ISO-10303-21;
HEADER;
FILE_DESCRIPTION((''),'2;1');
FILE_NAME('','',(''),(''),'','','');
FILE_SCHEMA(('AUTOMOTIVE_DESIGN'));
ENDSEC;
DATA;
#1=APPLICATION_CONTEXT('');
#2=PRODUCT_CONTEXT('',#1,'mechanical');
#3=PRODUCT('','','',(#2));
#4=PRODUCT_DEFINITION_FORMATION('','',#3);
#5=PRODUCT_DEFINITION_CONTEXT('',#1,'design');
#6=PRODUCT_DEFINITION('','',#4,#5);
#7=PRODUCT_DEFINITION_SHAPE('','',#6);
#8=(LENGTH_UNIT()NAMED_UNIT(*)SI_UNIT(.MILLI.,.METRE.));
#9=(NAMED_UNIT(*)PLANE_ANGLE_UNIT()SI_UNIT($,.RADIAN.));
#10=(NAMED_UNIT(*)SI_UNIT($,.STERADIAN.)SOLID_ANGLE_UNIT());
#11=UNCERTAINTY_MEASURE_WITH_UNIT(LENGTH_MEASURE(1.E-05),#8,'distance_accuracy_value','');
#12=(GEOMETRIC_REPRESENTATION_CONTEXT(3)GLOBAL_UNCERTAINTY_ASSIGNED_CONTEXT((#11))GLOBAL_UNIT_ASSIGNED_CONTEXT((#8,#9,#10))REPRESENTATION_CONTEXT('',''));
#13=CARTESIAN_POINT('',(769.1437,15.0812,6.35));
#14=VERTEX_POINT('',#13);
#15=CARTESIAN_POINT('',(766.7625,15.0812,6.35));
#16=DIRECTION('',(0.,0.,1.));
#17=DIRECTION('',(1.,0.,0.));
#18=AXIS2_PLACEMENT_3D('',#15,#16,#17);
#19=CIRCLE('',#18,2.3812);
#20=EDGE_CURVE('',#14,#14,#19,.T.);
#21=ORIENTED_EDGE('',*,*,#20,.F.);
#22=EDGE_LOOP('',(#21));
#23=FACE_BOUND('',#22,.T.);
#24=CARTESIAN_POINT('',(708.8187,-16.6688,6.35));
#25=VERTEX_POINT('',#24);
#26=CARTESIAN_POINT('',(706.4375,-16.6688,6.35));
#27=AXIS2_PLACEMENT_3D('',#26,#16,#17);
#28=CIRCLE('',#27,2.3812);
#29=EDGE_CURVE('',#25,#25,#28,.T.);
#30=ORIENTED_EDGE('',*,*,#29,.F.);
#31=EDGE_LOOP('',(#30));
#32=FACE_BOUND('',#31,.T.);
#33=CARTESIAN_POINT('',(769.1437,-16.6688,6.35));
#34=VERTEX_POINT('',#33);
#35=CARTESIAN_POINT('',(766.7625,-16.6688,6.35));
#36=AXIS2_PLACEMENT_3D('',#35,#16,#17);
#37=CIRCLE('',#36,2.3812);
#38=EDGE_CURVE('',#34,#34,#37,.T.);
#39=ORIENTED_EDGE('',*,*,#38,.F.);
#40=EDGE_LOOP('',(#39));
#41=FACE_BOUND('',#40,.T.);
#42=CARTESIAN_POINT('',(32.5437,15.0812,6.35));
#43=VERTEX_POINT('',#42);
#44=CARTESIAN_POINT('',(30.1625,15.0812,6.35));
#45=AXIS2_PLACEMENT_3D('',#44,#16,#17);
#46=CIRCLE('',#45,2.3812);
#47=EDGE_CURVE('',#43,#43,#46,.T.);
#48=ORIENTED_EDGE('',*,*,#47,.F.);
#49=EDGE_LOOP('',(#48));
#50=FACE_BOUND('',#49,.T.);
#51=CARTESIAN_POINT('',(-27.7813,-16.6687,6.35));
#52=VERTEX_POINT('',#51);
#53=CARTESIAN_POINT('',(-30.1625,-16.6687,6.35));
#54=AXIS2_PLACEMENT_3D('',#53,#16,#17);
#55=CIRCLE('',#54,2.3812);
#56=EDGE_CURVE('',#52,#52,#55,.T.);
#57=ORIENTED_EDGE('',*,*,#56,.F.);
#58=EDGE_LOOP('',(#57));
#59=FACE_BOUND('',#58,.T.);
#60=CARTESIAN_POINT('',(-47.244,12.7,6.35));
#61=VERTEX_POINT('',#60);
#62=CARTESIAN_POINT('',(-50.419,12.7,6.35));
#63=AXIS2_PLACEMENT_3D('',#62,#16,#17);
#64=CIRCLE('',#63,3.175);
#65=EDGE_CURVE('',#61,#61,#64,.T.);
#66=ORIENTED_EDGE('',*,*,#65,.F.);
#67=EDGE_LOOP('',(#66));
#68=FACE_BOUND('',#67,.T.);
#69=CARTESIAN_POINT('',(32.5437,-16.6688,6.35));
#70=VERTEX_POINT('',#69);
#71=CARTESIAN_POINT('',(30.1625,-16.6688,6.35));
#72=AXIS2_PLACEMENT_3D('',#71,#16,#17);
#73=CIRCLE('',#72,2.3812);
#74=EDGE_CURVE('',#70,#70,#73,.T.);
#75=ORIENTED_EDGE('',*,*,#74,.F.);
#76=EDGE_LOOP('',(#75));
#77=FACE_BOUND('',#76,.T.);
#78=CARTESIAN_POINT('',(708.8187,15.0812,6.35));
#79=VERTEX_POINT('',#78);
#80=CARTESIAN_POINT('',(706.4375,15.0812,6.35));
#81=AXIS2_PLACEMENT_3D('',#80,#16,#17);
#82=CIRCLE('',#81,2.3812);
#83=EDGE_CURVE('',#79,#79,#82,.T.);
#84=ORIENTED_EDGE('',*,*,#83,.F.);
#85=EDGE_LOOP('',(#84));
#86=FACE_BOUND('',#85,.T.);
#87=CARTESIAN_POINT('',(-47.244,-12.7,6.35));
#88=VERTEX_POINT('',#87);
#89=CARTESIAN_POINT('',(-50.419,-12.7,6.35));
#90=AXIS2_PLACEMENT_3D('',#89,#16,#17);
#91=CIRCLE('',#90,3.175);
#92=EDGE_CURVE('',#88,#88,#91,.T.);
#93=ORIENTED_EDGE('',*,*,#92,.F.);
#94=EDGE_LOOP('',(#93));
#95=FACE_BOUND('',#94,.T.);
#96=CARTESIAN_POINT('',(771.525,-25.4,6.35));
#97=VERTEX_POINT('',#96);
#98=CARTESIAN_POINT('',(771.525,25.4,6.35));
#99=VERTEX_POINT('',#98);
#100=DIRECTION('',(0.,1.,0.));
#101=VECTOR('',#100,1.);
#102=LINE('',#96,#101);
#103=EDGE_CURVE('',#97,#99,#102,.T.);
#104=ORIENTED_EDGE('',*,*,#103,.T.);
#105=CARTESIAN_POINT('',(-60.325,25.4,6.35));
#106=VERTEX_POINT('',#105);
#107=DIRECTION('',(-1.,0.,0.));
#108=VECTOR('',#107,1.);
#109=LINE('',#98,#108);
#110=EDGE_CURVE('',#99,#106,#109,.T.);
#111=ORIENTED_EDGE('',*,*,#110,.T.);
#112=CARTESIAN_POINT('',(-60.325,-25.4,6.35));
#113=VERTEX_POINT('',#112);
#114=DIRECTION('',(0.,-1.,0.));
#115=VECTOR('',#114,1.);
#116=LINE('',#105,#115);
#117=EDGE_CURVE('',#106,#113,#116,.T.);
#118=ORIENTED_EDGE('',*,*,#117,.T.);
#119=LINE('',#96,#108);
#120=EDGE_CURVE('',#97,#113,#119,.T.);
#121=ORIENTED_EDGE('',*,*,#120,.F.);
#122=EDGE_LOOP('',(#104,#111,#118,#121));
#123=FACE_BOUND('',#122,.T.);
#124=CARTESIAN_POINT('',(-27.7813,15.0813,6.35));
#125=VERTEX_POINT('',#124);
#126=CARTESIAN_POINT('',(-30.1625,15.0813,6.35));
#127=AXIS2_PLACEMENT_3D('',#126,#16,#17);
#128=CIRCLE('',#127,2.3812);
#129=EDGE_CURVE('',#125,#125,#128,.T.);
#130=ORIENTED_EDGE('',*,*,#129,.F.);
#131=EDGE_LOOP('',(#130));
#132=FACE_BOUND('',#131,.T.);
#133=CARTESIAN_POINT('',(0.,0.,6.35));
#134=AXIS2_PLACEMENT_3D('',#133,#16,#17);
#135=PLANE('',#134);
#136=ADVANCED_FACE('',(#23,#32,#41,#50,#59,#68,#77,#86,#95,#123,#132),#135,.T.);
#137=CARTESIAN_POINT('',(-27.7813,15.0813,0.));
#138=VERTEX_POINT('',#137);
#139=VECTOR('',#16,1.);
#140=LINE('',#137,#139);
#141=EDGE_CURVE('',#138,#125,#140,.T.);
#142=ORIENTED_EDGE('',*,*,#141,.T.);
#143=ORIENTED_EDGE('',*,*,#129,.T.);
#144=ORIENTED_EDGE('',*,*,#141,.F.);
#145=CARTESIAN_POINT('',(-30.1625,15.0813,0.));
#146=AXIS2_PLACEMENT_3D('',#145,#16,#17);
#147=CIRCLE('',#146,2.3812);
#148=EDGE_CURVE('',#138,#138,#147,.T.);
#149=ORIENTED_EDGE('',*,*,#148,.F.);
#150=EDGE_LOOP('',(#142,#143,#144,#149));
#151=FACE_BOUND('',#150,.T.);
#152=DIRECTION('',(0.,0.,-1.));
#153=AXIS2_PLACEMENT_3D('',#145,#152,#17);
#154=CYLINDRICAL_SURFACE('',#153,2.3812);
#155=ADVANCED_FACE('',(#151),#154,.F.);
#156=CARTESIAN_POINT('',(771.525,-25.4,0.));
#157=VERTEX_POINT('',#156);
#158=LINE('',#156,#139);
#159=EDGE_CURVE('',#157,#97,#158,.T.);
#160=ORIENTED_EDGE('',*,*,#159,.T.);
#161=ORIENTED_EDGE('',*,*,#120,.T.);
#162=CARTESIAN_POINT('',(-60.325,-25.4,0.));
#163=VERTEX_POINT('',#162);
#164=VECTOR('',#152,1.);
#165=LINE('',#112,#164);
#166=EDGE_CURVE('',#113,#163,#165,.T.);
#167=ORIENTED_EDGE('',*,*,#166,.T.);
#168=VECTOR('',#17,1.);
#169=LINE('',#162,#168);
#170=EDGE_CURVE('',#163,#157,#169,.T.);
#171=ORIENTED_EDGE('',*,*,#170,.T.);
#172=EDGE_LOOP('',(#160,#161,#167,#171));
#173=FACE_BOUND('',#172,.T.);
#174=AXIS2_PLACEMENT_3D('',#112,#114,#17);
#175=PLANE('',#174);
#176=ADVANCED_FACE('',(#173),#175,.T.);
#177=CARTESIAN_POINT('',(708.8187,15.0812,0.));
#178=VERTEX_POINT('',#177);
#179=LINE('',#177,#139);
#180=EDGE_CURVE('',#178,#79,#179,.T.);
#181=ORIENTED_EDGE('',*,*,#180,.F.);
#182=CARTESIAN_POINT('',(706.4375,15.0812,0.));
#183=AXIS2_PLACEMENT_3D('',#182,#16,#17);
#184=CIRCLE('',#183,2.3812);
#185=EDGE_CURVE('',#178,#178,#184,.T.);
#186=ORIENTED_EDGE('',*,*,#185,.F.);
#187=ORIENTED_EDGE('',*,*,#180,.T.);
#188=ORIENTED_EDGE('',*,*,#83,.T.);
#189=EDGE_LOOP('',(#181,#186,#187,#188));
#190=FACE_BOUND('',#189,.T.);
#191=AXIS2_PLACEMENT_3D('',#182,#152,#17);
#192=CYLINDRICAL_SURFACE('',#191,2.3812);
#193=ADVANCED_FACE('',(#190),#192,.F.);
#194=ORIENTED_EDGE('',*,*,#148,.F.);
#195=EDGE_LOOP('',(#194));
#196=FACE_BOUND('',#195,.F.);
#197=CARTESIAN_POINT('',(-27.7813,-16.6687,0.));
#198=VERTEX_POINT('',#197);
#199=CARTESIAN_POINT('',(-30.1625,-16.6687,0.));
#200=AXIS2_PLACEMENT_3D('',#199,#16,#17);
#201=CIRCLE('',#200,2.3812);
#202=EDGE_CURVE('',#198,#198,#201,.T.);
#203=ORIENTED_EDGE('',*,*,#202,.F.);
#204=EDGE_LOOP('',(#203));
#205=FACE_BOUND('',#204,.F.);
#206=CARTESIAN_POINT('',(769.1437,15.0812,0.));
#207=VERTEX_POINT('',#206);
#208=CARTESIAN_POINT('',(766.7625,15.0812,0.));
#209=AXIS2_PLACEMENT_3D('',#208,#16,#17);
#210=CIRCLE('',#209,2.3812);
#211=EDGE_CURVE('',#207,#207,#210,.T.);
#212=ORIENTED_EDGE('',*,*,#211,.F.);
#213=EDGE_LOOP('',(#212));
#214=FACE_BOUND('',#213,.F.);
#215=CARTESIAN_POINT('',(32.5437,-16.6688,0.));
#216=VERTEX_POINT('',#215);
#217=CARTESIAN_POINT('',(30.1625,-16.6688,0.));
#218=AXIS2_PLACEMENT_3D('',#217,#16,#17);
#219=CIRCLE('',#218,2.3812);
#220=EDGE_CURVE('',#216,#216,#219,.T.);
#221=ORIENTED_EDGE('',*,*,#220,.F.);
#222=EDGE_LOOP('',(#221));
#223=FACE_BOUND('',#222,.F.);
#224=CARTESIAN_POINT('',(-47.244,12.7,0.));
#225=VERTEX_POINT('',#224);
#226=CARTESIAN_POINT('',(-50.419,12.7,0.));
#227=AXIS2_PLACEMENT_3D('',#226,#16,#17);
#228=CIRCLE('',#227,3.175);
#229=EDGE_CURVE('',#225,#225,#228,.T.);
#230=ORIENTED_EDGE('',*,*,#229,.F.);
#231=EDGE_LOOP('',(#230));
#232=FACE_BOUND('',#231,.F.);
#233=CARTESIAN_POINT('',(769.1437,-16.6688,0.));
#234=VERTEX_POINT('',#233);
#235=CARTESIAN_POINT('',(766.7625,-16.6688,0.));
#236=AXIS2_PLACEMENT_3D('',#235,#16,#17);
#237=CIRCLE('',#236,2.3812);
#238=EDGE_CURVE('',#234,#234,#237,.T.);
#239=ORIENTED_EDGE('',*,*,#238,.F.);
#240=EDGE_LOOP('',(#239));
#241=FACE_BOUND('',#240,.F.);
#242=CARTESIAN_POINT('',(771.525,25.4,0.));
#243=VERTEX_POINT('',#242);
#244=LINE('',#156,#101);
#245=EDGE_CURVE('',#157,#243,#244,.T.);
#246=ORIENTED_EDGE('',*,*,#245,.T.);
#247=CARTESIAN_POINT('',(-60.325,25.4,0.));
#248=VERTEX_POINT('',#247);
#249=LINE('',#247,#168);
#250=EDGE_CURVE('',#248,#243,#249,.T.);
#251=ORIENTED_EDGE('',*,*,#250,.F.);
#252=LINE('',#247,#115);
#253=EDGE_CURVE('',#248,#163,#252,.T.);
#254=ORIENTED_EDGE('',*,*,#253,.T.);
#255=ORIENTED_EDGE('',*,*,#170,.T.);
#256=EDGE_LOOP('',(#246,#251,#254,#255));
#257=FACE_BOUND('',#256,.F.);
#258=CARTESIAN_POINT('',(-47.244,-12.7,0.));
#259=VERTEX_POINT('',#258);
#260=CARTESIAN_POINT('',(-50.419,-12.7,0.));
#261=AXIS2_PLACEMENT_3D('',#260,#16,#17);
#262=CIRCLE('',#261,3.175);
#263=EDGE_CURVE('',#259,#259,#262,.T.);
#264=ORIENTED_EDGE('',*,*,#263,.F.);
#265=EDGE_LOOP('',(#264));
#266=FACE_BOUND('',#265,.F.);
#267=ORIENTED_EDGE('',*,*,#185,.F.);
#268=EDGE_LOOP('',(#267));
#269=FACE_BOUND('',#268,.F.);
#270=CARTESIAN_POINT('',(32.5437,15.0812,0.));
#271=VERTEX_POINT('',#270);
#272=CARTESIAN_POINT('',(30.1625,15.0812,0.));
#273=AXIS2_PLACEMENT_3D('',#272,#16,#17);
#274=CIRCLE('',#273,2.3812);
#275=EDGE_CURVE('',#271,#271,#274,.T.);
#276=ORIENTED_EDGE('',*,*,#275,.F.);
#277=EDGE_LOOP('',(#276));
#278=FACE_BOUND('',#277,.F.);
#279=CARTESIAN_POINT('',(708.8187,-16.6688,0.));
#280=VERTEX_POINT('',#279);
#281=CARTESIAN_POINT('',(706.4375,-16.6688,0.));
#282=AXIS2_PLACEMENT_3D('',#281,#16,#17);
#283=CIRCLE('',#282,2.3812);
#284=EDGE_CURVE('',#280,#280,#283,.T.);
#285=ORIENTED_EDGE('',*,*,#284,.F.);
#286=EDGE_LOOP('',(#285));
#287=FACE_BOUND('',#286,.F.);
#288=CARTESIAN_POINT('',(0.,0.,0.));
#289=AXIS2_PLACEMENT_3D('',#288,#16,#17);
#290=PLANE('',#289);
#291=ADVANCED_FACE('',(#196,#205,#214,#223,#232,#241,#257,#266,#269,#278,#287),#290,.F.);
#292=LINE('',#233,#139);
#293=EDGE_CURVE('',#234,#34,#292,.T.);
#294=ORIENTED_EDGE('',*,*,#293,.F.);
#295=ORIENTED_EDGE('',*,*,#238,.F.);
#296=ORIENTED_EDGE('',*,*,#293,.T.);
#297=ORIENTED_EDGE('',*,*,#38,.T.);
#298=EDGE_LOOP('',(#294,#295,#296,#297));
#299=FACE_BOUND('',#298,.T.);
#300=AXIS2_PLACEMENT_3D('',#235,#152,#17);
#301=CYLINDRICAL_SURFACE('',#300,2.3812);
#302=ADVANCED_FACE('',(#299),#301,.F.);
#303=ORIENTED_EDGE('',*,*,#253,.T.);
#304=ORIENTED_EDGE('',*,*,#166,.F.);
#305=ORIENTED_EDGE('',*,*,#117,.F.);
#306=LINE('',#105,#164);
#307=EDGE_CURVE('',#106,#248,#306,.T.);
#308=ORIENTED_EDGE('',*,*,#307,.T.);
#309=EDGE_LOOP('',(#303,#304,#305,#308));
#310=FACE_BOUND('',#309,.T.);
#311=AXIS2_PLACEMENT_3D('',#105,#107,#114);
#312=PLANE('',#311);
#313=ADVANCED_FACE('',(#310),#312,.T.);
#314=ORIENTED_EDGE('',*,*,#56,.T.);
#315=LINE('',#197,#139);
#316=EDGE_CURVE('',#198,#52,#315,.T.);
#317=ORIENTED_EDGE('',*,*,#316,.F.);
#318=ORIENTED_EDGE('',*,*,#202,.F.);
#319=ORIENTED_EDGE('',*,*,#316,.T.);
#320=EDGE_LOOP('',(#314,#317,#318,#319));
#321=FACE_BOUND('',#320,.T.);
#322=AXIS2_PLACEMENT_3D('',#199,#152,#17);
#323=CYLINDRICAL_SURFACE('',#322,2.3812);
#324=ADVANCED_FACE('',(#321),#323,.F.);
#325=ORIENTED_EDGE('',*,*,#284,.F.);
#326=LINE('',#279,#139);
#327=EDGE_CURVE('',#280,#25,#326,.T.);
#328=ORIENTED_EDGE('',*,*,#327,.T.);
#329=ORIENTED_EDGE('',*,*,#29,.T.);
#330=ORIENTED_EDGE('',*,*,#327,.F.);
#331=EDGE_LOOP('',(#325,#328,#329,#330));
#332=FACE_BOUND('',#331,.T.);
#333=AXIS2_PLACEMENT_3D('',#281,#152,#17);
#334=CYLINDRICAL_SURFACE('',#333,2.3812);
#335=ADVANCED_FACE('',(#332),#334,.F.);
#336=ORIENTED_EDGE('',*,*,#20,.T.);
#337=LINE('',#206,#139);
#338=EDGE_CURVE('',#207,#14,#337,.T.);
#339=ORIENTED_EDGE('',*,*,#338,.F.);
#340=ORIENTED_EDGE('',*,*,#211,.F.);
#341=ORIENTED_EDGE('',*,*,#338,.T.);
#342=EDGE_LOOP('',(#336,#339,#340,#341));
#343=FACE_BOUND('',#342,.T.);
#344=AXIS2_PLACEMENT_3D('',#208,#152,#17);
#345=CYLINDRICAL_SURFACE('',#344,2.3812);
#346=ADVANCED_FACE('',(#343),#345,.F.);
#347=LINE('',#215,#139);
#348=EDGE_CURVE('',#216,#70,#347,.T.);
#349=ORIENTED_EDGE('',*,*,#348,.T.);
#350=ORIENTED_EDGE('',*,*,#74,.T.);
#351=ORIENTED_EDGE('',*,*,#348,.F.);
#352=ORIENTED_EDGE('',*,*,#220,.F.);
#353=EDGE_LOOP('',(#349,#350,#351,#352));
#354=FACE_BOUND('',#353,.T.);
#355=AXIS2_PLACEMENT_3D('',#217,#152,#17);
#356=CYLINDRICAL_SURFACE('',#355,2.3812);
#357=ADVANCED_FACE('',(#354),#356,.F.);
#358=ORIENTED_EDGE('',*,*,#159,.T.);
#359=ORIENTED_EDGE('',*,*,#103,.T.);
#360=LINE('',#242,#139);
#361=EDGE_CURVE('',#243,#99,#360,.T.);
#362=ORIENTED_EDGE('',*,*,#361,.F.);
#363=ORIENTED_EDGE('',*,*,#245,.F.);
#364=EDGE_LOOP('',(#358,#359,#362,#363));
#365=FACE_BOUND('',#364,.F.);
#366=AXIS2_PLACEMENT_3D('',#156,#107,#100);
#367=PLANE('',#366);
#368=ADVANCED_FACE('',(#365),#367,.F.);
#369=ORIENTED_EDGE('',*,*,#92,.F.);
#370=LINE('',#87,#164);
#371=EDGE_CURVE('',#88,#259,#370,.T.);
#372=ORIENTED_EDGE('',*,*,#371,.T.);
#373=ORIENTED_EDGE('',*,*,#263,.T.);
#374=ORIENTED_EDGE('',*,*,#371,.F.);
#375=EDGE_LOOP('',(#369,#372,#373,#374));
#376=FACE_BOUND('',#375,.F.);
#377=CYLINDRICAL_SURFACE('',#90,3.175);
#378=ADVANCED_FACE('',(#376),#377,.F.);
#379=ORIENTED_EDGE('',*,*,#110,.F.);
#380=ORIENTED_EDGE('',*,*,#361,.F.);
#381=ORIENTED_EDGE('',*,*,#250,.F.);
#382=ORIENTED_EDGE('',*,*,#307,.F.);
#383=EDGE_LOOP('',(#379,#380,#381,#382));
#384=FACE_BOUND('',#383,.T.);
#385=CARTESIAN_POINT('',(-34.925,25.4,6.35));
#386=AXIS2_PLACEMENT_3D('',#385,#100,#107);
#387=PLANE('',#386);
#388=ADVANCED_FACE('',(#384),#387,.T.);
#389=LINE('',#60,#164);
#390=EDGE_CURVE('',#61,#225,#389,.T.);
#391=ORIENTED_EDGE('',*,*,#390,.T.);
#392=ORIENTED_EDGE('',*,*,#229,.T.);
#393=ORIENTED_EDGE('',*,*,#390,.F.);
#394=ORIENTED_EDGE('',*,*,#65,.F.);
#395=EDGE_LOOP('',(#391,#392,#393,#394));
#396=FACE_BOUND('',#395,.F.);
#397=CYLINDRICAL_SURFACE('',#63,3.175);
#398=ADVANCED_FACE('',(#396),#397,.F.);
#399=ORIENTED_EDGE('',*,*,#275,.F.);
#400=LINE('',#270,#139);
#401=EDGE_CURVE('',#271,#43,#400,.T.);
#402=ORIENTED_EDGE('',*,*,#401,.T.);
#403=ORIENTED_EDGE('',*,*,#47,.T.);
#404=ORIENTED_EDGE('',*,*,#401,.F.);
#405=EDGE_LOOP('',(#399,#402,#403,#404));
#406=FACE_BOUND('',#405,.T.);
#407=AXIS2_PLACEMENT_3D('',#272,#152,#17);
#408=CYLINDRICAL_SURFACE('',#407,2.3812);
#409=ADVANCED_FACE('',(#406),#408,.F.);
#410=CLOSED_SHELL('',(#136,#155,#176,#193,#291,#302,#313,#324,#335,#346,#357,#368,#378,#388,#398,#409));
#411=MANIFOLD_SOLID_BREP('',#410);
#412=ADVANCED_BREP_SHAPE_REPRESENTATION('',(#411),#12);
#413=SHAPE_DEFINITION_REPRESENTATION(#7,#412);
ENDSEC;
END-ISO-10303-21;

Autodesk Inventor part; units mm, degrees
ref_plane "YZ Plane" through (0, 0, 0) normal (1, 0, 0) x (0, 1, 0)
ref_plane "XZ Plane" through (0, 0, 0) normal (0, 1, 0) x (-1, 0, 0)
ref_plane "XY Plane" through (0, 0, 0) normal (0, 0, 1) x (1, 0, 0)
sketch "Sketch1" plane through (0, 0, 0) normal (0, 0, 1) x (1, 0, 0)
  line L0 (34.925, -25.4) -> (34.925, 25.4) projected
  line L1 (34.925, 25.4) -> (-34.925, 25.4) projected
  line L2 (-34.925, 25.4) -> (-34.925, -25.4) projected
  line L3 (-34.925, -25.4) -> (34.925, -25.4) projected
  circle A0 centre (-30.1625, -16.6687) radius 2.3812 projected
  circle A1 centre (30.1625, -16.6688) radius 2.3812 projected
  circle A2 centre (30.1625, 15.0812) radius 2.3812 projected
  circle A3 centre (-30.1625, 15.0813) radius 2.3812 projected
  line L4 (771.525, -25.4) -> (771.525, 25.4) projected
  line L5 (771.525, 25.4) -> (701.675, 25.4) projected
  line L6 (701.675, 25.4) -> (701.675, -25.4) projected
  line L7 (701.675, -25.4) -> (771.525, -25.4) projected
  circle A4 centre (706.4375, -16.6688) radius 2.3812 projected
  circle A5 centre (766.7625, -16.6688) radius 2.3812 projected
  circle A6 centre (766.7625, 15.0812) radius 2.3812 projected
  circle A7 centre (706.4375, 15.0812) radius 2.3812 projected
  line L8 (34.925, -25.4) -> (701.675, -25.4)
  line L9 (701.675, 25.4) -> (34.925, 25.4)
  point P0 (0, 0)
extrude "Extrusion1" add sketch "Sketch1" along normal blind 6.35
sketch "Sketch2" plane through (0, 0, 6.35) normal (0, 0, 1) x (1, 0, 0)
  line L0 (-34.925, 25.4) -> (-34.925, -25.4) projected
  line L1 (-34.925, 25.4) -> (-60.325, 25.4)
  line L2 (-60.325, 25.4) -> (-60.325, -25.4)
  line L3 (-60.325, -25.4) -> (-34.925, -25.4)
  line L4 (-34.925, -25.4) -> (-34.925, 25.4)
  circle A0 centre (-50.419, 12.7) radius 3.175
  circle A1 centre (-50.419, -12.7) radius 3.175
  point P0 (0, 0)
  dimension "d2" = 25.4
  dimension "d3" = 6.35
  dimension "d4" = 6.35
  dimension "d9" = 25.4
  dimension "d10" = 12.7
extrude "Extrusion2" add sketch "Sketch2" against normal blind 6.35
properties part number "Acrylic Relief Guide"
